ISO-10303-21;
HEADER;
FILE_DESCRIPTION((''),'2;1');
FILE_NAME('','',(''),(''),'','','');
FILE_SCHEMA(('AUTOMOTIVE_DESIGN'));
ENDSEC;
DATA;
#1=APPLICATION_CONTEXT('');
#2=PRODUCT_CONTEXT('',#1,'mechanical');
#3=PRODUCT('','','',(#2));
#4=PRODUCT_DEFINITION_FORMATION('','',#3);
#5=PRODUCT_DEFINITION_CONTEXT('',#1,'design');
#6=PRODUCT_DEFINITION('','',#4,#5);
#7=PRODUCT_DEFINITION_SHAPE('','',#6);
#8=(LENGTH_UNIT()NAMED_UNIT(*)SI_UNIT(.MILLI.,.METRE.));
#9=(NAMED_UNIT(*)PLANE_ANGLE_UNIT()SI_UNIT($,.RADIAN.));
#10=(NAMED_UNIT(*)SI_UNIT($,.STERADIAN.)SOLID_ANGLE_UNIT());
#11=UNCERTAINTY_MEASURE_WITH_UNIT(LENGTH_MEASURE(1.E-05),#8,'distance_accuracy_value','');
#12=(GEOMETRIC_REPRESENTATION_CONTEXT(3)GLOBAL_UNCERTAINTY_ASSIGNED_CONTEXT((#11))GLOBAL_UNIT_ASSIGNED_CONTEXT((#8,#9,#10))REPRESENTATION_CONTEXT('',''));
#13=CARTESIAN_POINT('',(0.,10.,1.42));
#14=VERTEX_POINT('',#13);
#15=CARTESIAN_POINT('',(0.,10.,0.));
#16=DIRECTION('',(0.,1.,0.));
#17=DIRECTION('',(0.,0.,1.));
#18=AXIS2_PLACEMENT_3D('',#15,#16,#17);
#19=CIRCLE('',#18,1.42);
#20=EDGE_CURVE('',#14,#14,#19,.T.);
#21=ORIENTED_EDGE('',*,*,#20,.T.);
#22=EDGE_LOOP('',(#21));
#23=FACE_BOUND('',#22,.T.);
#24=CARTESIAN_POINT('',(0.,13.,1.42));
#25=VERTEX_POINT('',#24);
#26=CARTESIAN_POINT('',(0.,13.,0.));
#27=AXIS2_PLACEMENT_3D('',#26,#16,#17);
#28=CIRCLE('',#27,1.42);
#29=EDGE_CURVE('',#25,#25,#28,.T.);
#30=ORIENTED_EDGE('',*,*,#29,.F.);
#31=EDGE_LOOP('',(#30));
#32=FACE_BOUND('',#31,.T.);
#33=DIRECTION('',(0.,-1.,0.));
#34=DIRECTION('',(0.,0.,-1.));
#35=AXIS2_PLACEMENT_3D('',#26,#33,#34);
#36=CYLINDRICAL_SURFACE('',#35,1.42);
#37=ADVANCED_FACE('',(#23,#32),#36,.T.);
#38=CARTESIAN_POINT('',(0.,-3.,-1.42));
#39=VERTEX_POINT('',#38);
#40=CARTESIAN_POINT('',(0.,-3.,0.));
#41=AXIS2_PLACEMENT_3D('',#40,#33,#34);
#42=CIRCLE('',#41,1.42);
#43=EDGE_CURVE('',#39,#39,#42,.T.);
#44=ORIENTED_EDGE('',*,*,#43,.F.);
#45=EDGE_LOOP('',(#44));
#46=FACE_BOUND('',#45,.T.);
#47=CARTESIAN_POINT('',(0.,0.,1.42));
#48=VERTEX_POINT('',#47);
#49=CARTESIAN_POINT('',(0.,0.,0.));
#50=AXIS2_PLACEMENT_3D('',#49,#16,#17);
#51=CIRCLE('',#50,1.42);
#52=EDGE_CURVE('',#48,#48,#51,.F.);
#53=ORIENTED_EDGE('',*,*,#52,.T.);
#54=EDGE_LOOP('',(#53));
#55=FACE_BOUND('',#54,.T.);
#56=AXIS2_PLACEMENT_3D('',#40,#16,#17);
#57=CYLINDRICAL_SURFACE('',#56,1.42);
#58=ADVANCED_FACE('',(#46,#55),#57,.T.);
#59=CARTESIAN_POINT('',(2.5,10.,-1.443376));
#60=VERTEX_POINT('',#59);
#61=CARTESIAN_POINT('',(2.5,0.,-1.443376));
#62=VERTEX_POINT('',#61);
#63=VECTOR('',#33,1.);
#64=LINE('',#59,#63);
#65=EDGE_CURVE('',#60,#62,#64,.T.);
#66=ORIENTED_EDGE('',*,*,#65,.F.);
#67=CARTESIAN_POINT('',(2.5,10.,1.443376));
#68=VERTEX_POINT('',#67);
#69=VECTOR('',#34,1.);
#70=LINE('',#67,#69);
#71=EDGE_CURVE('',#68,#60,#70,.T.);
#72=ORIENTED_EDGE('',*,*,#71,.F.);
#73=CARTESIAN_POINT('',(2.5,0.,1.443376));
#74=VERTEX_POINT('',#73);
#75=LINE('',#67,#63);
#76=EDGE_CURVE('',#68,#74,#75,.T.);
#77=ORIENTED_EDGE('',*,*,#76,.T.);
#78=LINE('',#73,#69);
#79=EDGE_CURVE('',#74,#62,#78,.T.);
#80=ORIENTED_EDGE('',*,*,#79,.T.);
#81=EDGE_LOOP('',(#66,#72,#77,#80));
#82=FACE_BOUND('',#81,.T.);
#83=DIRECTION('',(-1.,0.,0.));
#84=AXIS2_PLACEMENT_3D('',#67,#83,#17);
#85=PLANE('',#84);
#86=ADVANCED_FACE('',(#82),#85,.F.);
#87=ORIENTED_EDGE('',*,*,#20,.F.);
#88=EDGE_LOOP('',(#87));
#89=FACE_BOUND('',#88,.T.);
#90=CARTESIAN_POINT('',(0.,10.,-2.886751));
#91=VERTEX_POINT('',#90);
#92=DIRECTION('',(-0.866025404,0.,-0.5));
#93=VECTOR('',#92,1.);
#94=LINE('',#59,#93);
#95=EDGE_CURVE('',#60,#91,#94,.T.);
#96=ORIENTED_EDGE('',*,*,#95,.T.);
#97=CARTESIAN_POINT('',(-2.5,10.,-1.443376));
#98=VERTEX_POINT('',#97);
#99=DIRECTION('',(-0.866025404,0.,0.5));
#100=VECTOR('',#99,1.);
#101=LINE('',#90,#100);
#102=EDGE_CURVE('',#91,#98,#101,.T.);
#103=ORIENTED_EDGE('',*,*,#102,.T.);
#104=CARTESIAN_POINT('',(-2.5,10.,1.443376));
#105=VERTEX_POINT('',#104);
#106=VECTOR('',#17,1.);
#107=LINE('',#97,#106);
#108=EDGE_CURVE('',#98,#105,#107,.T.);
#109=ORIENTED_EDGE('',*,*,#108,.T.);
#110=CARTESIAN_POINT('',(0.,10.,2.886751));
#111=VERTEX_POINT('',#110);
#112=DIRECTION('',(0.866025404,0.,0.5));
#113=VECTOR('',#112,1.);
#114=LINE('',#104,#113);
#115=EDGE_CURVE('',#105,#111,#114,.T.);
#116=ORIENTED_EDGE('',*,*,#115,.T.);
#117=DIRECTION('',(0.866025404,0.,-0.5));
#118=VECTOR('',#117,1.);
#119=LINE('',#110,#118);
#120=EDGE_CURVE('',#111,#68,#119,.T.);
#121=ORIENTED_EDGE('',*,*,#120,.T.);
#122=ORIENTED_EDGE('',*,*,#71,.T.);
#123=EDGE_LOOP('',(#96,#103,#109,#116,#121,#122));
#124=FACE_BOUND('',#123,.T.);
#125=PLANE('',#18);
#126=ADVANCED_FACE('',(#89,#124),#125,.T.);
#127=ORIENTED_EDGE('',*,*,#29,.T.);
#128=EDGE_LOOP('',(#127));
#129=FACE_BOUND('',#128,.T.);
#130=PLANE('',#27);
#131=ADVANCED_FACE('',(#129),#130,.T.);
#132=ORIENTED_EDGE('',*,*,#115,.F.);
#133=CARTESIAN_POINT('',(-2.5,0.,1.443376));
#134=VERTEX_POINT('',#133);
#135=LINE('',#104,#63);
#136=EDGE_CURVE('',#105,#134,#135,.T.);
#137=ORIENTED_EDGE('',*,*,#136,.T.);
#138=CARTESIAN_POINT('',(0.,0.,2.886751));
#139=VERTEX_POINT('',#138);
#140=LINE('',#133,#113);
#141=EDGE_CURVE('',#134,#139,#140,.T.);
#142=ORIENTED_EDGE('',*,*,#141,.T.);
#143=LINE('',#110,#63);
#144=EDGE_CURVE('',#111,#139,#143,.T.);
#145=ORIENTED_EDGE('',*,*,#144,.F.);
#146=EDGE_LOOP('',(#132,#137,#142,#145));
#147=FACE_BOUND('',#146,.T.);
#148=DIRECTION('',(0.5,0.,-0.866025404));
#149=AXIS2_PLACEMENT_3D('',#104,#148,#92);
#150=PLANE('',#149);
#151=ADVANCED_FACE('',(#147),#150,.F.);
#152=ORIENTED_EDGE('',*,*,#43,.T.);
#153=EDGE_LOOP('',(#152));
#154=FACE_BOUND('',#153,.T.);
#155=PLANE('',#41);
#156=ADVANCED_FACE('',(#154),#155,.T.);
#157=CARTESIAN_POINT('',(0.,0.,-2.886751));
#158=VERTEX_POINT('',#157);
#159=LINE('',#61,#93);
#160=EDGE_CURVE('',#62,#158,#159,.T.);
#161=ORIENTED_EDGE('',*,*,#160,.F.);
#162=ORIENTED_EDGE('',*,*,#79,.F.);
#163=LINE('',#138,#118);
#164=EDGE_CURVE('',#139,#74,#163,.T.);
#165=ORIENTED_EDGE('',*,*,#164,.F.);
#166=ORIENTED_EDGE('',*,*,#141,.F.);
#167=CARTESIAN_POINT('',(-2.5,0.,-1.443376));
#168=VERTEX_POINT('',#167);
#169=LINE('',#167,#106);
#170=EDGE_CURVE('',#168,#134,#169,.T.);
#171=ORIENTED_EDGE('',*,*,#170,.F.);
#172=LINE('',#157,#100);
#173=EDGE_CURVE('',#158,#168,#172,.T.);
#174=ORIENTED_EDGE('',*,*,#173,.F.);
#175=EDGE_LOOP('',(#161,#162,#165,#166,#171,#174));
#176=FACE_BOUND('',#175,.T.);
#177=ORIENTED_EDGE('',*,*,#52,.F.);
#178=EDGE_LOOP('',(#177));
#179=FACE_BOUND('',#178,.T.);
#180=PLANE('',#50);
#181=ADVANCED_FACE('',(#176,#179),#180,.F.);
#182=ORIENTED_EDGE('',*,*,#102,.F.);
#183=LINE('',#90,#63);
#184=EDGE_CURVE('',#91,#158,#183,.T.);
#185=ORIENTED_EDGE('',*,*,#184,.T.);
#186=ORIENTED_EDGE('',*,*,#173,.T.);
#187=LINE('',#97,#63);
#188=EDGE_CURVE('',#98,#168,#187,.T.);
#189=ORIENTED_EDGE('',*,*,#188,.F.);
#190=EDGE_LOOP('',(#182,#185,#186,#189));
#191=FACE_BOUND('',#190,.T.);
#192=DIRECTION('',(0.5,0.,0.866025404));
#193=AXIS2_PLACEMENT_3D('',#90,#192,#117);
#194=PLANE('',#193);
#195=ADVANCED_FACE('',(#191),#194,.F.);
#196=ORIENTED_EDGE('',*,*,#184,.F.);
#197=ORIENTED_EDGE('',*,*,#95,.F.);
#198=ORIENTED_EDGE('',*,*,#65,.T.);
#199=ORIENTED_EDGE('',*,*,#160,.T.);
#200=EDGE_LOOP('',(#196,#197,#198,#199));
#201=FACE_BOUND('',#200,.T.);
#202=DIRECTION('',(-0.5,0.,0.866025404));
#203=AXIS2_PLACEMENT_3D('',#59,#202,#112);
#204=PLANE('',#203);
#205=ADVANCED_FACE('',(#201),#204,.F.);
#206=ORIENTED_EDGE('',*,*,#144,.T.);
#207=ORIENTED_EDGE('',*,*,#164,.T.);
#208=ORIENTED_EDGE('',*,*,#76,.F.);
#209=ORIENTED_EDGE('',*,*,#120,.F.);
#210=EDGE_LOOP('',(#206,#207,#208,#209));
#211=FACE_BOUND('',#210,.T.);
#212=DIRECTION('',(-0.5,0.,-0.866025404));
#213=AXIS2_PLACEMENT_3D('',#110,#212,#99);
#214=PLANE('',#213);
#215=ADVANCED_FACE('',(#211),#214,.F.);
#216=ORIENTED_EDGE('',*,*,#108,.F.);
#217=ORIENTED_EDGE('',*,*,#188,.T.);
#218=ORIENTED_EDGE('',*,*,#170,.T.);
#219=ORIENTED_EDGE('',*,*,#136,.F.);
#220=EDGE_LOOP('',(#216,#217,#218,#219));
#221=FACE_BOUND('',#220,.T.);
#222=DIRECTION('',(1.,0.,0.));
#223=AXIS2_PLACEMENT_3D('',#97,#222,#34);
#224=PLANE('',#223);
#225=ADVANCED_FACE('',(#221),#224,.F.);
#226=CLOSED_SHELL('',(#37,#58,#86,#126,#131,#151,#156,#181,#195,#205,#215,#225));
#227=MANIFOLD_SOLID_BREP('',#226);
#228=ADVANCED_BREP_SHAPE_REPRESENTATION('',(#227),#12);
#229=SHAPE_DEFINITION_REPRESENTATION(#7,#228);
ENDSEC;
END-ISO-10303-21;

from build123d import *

# Parameters (mm, degrees)
BOSS_EXTRUDE1_DEPTH = 10
SKETCH2_R           = 1.42
BOSS_EXTRUDE2_DEPTH = 3
BOSS_EXTRUDE3_START = 3
SKETCH3_R           = 1.42
BOSS_EXTRUDE3_DEPTH = 3


with BuildPart() as part:
    # Sketch1 → Boss-Extrude1 (new body)
    with BuildSketch(Plane(origin=(0, 0, 0), x_dir=(1, 0, 0), z_dir=(0, 1, 0))):
        Polygon((0, 2.886751346), (-2.5, 1.443375673), (-2.5, -1.443375673), (0, -2.886751346), (2.5, -1.443375673), (2.5, 1.443375673), align=None)
    extrude(amount=BOSS_EXTRUDE1_DEPTH)

    # Sketch2 → Boss-Extrude2 (add)
    with BuildSketch(Plane(origin=(0, 10, 0), x_dir=(1, 0, 0), z_dir=(0, 1, 0))):
        with Locations(Location((0, 0, 0), (0, 0, 270))):
            Circle(SKETCH2_R)
    extrude(amount=BOSS_EXTRUDE2_DEPTH)

    # Sketch3 → Boss-Extrude3 (add)
    with BuildSketch(Plane(origin=(0, 0, 0), x_dir=(-1, 0, 0), z_dir=(0, -1, 0)).offset(BOSS_EXTRUDE3_START)):
        with Locations(Location((0, 0, 0), (0, 0, 270))):
            Circle(SKETCH3_R)
    extrude(amount=-BOSS_EXTRUDE3_DEPTH)


solid = part.part
